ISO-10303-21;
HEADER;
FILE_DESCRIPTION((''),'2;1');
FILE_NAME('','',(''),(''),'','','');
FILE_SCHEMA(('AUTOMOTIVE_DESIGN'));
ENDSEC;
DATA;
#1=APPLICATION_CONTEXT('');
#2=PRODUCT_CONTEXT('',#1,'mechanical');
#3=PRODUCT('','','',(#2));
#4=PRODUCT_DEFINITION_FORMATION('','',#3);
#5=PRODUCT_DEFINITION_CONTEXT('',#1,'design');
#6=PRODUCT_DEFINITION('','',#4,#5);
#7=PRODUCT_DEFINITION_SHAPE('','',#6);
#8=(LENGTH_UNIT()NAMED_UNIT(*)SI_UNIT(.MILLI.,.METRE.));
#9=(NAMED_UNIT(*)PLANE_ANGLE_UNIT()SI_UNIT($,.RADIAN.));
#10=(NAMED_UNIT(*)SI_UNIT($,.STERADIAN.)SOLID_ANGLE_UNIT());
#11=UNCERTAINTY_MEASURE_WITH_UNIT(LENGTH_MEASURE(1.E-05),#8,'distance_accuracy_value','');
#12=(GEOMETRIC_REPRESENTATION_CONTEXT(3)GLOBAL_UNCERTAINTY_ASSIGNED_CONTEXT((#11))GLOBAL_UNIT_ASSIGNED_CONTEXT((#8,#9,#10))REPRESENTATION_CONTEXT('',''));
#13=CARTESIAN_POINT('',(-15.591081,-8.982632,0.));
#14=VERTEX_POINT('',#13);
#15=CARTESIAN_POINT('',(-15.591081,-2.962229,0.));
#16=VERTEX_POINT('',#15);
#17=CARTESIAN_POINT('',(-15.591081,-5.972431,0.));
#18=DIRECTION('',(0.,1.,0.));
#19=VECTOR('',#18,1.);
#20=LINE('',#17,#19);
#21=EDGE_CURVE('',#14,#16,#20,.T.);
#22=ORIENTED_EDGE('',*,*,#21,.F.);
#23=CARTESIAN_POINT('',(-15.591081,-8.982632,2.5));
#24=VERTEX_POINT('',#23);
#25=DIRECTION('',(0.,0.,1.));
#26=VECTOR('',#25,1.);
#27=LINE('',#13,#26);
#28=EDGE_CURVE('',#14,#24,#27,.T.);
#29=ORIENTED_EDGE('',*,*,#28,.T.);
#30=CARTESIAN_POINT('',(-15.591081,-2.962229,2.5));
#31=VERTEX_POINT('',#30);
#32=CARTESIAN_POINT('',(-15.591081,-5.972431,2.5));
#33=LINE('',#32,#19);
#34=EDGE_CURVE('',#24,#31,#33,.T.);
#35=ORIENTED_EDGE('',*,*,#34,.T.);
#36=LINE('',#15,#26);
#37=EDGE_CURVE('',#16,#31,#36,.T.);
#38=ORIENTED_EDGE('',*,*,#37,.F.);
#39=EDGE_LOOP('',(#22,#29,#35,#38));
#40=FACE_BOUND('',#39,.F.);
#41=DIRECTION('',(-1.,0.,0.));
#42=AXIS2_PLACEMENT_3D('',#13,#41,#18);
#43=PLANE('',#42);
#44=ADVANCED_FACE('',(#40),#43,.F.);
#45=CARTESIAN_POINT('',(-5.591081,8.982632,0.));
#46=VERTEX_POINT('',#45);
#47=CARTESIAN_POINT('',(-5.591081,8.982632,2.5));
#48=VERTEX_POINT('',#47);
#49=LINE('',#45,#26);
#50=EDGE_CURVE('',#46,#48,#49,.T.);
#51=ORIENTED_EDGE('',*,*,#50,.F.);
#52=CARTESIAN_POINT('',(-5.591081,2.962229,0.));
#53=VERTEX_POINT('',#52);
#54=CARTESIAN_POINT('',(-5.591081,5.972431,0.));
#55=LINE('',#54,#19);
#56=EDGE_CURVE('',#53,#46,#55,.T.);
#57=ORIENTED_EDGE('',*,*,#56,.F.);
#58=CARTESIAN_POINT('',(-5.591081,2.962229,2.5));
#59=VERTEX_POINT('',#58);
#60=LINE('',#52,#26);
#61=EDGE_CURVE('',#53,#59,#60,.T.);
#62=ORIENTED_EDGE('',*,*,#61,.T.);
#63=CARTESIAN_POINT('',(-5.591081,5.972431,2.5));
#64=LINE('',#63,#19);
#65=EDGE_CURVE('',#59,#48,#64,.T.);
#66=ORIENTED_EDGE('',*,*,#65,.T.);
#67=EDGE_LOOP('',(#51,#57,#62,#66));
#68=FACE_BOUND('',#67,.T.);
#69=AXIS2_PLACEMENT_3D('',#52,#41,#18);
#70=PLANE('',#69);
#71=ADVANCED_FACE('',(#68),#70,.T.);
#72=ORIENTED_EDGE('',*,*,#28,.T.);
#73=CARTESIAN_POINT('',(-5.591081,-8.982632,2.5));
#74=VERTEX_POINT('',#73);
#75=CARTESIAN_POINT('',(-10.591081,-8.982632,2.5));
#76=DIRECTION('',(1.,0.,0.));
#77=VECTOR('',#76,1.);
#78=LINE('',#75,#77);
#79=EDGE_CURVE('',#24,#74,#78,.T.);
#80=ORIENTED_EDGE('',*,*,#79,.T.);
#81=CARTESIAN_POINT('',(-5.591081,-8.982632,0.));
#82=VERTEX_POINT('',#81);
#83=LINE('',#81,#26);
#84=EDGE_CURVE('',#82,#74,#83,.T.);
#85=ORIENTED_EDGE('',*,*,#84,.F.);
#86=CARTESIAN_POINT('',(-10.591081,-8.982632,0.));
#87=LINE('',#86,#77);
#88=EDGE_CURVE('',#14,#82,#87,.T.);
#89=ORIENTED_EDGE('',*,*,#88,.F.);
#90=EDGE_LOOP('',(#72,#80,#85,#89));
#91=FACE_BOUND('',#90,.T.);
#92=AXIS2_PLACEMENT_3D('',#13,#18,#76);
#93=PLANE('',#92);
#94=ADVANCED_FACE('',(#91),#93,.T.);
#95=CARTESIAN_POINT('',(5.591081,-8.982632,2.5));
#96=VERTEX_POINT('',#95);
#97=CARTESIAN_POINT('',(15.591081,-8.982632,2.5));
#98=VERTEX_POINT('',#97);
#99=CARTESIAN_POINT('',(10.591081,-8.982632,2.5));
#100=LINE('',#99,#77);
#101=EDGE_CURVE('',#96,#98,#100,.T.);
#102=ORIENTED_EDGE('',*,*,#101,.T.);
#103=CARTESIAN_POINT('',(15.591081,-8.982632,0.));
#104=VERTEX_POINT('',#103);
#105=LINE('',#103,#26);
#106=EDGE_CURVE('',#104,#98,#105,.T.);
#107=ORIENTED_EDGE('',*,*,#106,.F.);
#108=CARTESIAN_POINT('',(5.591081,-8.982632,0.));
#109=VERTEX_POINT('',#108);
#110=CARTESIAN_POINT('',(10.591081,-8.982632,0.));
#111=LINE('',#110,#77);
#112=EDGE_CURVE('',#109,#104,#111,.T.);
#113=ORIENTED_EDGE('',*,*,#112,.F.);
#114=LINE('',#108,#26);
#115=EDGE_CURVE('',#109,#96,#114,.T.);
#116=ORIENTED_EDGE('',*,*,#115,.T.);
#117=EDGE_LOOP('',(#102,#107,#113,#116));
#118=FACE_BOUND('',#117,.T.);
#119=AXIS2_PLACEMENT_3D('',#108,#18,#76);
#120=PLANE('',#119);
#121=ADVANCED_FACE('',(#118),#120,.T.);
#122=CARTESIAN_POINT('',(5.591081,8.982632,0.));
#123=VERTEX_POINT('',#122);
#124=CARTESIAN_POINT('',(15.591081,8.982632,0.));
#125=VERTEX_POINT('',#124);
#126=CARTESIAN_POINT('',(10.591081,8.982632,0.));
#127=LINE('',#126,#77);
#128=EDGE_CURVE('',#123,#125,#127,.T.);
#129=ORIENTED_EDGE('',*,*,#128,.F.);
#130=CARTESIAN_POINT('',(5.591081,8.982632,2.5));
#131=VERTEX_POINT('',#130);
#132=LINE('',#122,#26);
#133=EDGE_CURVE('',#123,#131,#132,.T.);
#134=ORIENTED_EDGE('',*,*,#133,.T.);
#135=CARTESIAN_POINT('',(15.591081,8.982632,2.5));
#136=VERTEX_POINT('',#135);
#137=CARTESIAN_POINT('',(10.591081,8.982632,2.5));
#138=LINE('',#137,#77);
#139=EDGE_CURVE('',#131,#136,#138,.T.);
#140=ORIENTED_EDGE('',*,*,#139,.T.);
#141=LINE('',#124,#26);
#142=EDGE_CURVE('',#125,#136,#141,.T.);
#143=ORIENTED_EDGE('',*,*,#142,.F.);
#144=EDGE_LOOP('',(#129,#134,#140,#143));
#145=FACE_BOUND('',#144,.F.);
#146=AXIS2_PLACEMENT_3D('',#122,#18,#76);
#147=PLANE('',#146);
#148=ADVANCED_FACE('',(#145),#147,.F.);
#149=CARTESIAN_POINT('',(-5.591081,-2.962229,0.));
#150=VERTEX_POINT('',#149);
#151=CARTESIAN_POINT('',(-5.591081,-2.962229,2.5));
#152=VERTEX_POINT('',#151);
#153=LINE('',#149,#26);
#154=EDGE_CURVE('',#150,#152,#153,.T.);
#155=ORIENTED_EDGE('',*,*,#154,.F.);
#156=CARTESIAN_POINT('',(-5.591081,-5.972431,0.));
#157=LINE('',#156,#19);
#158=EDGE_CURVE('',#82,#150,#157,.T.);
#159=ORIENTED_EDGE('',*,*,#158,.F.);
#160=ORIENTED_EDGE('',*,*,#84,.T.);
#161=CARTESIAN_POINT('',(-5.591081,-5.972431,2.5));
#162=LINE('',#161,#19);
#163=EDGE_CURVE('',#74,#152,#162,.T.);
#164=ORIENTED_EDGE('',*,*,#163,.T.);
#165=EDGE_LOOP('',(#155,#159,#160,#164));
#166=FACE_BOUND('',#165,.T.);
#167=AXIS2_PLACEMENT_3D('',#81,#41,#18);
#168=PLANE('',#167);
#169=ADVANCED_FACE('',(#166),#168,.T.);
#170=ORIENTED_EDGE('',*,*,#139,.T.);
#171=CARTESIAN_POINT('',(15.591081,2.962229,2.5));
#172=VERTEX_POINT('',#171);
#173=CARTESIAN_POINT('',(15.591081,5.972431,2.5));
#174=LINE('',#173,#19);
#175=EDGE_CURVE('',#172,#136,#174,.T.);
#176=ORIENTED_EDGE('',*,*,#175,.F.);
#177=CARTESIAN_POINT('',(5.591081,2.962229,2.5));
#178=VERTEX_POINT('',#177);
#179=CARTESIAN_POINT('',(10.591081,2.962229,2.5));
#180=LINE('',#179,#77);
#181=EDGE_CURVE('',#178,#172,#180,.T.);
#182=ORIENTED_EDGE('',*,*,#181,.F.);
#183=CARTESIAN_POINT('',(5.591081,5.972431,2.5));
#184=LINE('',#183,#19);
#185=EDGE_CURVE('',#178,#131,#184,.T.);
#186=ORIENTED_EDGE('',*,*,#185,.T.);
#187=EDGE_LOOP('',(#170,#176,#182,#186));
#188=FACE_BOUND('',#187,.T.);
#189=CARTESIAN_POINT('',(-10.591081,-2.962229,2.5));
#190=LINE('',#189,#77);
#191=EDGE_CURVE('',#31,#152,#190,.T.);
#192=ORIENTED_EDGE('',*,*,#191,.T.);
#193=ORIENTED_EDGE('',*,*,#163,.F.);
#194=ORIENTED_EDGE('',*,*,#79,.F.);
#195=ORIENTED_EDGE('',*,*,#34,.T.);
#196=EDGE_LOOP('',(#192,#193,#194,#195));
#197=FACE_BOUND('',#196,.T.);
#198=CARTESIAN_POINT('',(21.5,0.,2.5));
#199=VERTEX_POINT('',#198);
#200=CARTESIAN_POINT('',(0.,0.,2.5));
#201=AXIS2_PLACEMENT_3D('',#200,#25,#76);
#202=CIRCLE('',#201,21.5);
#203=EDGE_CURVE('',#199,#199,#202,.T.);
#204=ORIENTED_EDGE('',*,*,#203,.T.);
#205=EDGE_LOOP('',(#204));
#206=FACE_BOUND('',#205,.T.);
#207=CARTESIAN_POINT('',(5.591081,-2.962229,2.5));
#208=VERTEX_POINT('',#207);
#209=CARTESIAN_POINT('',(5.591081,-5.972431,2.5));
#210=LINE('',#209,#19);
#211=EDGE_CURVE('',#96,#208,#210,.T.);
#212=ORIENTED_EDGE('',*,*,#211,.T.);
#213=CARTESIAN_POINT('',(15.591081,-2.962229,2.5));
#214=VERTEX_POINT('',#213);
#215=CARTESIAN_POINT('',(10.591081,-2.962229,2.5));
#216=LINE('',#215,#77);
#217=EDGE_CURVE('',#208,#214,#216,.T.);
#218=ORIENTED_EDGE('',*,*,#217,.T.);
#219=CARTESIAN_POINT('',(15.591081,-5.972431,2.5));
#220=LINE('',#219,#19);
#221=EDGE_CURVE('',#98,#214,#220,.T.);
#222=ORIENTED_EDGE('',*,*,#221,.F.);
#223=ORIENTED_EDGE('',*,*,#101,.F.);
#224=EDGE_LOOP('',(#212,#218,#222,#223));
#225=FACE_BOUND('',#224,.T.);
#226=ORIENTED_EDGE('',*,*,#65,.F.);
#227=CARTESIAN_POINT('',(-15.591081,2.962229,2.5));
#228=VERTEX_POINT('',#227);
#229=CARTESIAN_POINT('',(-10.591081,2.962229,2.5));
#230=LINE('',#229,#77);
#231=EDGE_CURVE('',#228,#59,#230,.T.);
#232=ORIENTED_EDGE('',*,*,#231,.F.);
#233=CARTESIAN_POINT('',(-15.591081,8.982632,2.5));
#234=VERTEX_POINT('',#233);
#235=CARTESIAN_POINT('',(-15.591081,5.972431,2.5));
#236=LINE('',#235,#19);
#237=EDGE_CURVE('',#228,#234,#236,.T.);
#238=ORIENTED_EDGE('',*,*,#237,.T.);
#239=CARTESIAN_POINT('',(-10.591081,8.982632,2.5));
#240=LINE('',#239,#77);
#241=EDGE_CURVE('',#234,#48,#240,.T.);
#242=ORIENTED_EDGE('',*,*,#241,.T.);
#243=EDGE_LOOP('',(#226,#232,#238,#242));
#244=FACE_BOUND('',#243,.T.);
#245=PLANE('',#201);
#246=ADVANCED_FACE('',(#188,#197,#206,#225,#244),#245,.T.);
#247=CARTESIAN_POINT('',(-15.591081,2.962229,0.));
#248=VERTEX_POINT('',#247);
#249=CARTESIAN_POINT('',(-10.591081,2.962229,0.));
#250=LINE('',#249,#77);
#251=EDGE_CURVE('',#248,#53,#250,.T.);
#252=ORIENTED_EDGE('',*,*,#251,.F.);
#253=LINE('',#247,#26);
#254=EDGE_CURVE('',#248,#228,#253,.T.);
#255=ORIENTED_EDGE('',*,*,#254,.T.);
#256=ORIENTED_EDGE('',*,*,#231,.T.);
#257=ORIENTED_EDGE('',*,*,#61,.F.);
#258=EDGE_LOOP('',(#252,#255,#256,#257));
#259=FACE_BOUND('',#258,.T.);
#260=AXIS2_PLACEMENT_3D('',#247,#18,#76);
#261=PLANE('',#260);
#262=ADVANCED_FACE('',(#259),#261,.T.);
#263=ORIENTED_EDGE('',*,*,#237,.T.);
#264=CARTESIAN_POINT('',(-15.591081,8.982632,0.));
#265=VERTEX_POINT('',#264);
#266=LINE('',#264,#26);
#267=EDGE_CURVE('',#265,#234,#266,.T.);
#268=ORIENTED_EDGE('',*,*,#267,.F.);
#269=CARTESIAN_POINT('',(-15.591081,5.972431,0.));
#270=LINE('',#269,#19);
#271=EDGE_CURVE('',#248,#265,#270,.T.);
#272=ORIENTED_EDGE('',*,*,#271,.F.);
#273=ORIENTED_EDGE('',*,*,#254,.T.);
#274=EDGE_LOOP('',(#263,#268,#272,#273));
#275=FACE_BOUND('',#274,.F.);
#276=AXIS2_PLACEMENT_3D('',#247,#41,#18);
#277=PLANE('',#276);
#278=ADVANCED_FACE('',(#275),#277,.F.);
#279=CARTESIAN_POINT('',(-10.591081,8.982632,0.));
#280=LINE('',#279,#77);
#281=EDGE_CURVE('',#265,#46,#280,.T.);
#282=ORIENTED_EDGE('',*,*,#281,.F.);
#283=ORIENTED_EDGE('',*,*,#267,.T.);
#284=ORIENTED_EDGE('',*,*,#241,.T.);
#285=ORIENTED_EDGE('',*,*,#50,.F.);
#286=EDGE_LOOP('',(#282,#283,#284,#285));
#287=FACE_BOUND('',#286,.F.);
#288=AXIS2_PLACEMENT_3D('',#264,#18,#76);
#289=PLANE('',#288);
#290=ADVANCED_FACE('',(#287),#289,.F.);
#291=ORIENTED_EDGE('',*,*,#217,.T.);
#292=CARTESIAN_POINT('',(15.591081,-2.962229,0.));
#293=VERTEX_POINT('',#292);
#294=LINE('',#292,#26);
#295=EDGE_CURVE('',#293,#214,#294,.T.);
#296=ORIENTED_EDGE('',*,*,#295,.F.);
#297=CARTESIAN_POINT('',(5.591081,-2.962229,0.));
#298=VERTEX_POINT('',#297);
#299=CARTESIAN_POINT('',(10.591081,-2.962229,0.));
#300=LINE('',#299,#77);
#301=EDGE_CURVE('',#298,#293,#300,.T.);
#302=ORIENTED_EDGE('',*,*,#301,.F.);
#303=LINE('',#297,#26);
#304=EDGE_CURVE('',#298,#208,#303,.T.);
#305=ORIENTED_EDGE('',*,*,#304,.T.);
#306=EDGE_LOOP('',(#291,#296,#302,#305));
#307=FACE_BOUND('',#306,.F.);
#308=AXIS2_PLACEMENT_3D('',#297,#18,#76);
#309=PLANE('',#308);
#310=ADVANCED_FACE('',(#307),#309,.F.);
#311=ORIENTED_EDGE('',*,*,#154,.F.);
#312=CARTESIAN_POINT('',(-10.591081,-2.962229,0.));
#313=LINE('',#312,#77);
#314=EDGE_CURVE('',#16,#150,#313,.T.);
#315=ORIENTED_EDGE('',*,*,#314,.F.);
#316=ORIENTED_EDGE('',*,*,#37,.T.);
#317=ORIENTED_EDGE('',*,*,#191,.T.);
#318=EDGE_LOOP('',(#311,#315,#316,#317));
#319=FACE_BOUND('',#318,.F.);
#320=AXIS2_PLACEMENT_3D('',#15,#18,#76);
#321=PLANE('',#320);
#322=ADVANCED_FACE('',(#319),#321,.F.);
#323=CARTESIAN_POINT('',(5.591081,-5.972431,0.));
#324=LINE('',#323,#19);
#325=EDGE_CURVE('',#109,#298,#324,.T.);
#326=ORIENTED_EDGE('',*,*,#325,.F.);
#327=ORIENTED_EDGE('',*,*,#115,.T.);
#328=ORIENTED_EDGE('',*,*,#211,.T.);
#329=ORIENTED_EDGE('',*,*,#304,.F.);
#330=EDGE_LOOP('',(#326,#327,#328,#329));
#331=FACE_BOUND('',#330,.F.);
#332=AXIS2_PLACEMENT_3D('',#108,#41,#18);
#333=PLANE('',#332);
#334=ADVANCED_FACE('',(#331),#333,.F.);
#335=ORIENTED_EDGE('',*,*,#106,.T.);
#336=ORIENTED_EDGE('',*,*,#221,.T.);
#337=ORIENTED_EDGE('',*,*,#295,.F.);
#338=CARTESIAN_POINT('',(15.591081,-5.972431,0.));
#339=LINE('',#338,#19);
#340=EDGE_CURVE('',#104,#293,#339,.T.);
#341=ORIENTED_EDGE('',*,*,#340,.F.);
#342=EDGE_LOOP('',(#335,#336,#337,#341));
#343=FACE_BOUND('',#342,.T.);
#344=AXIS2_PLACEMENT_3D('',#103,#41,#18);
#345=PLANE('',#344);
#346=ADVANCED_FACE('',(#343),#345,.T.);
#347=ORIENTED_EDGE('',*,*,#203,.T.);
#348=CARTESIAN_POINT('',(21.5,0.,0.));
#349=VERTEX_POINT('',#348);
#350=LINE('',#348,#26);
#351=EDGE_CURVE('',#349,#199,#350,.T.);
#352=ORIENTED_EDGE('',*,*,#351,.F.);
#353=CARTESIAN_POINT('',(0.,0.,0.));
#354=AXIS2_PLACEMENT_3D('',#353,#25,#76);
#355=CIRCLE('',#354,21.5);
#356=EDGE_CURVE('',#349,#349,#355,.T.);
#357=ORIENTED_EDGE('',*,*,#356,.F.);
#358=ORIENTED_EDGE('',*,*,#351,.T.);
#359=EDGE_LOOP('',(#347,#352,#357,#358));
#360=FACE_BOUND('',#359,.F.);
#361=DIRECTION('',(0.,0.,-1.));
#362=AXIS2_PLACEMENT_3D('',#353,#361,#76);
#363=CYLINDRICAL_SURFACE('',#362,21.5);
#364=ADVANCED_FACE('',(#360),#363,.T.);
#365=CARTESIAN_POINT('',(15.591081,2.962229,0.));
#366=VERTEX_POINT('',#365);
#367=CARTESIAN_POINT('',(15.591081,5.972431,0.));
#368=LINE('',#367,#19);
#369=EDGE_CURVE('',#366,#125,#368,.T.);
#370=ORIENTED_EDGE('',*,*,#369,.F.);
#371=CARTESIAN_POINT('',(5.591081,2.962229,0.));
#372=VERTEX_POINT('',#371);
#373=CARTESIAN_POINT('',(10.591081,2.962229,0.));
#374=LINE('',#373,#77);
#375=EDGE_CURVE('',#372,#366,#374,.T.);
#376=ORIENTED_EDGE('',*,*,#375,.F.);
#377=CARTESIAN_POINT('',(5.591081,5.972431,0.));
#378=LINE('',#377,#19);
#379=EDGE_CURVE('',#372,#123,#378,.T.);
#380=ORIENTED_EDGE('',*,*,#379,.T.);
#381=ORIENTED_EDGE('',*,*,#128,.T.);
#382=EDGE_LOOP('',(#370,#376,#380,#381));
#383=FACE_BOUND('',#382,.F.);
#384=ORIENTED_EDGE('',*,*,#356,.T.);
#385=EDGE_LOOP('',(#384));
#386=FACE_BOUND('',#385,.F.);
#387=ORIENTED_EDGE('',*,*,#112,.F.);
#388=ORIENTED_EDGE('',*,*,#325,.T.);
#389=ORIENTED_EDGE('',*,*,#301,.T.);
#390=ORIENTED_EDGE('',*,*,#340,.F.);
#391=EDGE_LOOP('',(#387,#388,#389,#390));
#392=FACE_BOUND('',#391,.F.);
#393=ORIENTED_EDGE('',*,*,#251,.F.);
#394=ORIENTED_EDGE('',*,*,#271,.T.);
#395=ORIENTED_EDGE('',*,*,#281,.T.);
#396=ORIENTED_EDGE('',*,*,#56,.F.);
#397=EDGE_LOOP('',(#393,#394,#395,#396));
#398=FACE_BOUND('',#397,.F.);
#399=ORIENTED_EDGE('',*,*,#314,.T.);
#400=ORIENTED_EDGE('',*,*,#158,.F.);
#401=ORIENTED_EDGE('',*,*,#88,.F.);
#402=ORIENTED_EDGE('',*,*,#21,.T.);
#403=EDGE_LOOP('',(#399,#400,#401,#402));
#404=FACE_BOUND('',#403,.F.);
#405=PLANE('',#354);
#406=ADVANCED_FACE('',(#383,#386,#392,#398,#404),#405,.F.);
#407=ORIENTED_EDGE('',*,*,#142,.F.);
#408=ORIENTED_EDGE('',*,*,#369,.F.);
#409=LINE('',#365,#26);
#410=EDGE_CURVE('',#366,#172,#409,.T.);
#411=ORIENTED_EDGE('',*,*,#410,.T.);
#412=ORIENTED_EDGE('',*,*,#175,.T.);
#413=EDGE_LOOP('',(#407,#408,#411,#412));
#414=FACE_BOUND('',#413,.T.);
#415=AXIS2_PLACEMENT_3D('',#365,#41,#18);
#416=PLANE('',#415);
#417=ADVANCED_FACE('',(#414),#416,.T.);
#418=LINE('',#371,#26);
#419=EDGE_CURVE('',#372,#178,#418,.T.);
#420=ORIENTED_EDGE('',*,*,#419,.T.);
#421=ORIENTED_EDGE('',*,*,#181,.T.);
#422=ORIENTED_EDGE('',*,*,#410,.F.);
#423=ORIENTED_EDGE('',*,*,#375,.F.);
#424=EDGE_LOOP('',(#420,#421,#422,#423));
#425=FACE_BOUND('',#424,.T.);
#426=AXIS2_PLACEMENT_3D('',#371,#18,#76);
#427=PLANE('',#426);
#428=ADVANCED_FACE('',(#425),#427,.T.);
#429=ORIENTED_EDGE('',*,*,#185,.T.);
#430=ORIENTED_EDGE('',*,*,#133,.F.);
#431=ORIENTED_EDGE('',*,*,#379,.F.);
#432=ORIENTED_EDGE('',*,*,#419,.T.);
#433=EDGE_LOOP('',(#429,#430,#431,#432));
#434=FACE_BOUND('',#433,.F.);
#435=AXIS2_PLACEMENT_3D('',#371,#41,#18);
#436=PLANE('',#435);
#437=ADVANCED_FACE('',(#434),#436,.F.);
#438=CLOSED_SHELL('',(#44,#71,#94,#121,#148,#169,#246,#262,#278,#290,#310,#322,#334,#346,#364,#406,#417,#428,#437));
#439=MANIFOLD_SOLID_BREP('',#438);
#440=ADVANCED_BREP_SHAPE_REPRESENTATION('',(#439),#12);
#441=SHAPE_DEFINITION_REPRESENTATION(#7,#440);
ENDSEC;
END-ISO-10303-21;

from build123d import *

# Parameters (mm, degrees)
F0_R     = 21.5
F0_W     = 10
F0_H     = 6.020403
F1_DEPTH = 2.5


with BuildPart() as f1:
    # F0 (on Top) → F1 (new body)
    with BuildSketch(Plane.XY):
        Circle(F0_R)
        with Locations((-10.591081, -5.972431)):
            Rectangle(F0_W, F0_H, mode=Mode.SUBTRACT)
        with Locations((10.591081, -5.972431)):
            Rectangle(F0_W, F0_H, mode=Mode.SUBTRACT)
        with Locations((-10.591081, 5.972431)):
            Rectangle(F0_W, F0_H, mode=Mode.SUBTRACT)
        with Locations((10.591081, 5.972431)):
            Rectangle(F0_W, F0_H, mode=Mode.SUBTRACT)
    extrude(amount=F1_DEPTH)


solid = f1.part
